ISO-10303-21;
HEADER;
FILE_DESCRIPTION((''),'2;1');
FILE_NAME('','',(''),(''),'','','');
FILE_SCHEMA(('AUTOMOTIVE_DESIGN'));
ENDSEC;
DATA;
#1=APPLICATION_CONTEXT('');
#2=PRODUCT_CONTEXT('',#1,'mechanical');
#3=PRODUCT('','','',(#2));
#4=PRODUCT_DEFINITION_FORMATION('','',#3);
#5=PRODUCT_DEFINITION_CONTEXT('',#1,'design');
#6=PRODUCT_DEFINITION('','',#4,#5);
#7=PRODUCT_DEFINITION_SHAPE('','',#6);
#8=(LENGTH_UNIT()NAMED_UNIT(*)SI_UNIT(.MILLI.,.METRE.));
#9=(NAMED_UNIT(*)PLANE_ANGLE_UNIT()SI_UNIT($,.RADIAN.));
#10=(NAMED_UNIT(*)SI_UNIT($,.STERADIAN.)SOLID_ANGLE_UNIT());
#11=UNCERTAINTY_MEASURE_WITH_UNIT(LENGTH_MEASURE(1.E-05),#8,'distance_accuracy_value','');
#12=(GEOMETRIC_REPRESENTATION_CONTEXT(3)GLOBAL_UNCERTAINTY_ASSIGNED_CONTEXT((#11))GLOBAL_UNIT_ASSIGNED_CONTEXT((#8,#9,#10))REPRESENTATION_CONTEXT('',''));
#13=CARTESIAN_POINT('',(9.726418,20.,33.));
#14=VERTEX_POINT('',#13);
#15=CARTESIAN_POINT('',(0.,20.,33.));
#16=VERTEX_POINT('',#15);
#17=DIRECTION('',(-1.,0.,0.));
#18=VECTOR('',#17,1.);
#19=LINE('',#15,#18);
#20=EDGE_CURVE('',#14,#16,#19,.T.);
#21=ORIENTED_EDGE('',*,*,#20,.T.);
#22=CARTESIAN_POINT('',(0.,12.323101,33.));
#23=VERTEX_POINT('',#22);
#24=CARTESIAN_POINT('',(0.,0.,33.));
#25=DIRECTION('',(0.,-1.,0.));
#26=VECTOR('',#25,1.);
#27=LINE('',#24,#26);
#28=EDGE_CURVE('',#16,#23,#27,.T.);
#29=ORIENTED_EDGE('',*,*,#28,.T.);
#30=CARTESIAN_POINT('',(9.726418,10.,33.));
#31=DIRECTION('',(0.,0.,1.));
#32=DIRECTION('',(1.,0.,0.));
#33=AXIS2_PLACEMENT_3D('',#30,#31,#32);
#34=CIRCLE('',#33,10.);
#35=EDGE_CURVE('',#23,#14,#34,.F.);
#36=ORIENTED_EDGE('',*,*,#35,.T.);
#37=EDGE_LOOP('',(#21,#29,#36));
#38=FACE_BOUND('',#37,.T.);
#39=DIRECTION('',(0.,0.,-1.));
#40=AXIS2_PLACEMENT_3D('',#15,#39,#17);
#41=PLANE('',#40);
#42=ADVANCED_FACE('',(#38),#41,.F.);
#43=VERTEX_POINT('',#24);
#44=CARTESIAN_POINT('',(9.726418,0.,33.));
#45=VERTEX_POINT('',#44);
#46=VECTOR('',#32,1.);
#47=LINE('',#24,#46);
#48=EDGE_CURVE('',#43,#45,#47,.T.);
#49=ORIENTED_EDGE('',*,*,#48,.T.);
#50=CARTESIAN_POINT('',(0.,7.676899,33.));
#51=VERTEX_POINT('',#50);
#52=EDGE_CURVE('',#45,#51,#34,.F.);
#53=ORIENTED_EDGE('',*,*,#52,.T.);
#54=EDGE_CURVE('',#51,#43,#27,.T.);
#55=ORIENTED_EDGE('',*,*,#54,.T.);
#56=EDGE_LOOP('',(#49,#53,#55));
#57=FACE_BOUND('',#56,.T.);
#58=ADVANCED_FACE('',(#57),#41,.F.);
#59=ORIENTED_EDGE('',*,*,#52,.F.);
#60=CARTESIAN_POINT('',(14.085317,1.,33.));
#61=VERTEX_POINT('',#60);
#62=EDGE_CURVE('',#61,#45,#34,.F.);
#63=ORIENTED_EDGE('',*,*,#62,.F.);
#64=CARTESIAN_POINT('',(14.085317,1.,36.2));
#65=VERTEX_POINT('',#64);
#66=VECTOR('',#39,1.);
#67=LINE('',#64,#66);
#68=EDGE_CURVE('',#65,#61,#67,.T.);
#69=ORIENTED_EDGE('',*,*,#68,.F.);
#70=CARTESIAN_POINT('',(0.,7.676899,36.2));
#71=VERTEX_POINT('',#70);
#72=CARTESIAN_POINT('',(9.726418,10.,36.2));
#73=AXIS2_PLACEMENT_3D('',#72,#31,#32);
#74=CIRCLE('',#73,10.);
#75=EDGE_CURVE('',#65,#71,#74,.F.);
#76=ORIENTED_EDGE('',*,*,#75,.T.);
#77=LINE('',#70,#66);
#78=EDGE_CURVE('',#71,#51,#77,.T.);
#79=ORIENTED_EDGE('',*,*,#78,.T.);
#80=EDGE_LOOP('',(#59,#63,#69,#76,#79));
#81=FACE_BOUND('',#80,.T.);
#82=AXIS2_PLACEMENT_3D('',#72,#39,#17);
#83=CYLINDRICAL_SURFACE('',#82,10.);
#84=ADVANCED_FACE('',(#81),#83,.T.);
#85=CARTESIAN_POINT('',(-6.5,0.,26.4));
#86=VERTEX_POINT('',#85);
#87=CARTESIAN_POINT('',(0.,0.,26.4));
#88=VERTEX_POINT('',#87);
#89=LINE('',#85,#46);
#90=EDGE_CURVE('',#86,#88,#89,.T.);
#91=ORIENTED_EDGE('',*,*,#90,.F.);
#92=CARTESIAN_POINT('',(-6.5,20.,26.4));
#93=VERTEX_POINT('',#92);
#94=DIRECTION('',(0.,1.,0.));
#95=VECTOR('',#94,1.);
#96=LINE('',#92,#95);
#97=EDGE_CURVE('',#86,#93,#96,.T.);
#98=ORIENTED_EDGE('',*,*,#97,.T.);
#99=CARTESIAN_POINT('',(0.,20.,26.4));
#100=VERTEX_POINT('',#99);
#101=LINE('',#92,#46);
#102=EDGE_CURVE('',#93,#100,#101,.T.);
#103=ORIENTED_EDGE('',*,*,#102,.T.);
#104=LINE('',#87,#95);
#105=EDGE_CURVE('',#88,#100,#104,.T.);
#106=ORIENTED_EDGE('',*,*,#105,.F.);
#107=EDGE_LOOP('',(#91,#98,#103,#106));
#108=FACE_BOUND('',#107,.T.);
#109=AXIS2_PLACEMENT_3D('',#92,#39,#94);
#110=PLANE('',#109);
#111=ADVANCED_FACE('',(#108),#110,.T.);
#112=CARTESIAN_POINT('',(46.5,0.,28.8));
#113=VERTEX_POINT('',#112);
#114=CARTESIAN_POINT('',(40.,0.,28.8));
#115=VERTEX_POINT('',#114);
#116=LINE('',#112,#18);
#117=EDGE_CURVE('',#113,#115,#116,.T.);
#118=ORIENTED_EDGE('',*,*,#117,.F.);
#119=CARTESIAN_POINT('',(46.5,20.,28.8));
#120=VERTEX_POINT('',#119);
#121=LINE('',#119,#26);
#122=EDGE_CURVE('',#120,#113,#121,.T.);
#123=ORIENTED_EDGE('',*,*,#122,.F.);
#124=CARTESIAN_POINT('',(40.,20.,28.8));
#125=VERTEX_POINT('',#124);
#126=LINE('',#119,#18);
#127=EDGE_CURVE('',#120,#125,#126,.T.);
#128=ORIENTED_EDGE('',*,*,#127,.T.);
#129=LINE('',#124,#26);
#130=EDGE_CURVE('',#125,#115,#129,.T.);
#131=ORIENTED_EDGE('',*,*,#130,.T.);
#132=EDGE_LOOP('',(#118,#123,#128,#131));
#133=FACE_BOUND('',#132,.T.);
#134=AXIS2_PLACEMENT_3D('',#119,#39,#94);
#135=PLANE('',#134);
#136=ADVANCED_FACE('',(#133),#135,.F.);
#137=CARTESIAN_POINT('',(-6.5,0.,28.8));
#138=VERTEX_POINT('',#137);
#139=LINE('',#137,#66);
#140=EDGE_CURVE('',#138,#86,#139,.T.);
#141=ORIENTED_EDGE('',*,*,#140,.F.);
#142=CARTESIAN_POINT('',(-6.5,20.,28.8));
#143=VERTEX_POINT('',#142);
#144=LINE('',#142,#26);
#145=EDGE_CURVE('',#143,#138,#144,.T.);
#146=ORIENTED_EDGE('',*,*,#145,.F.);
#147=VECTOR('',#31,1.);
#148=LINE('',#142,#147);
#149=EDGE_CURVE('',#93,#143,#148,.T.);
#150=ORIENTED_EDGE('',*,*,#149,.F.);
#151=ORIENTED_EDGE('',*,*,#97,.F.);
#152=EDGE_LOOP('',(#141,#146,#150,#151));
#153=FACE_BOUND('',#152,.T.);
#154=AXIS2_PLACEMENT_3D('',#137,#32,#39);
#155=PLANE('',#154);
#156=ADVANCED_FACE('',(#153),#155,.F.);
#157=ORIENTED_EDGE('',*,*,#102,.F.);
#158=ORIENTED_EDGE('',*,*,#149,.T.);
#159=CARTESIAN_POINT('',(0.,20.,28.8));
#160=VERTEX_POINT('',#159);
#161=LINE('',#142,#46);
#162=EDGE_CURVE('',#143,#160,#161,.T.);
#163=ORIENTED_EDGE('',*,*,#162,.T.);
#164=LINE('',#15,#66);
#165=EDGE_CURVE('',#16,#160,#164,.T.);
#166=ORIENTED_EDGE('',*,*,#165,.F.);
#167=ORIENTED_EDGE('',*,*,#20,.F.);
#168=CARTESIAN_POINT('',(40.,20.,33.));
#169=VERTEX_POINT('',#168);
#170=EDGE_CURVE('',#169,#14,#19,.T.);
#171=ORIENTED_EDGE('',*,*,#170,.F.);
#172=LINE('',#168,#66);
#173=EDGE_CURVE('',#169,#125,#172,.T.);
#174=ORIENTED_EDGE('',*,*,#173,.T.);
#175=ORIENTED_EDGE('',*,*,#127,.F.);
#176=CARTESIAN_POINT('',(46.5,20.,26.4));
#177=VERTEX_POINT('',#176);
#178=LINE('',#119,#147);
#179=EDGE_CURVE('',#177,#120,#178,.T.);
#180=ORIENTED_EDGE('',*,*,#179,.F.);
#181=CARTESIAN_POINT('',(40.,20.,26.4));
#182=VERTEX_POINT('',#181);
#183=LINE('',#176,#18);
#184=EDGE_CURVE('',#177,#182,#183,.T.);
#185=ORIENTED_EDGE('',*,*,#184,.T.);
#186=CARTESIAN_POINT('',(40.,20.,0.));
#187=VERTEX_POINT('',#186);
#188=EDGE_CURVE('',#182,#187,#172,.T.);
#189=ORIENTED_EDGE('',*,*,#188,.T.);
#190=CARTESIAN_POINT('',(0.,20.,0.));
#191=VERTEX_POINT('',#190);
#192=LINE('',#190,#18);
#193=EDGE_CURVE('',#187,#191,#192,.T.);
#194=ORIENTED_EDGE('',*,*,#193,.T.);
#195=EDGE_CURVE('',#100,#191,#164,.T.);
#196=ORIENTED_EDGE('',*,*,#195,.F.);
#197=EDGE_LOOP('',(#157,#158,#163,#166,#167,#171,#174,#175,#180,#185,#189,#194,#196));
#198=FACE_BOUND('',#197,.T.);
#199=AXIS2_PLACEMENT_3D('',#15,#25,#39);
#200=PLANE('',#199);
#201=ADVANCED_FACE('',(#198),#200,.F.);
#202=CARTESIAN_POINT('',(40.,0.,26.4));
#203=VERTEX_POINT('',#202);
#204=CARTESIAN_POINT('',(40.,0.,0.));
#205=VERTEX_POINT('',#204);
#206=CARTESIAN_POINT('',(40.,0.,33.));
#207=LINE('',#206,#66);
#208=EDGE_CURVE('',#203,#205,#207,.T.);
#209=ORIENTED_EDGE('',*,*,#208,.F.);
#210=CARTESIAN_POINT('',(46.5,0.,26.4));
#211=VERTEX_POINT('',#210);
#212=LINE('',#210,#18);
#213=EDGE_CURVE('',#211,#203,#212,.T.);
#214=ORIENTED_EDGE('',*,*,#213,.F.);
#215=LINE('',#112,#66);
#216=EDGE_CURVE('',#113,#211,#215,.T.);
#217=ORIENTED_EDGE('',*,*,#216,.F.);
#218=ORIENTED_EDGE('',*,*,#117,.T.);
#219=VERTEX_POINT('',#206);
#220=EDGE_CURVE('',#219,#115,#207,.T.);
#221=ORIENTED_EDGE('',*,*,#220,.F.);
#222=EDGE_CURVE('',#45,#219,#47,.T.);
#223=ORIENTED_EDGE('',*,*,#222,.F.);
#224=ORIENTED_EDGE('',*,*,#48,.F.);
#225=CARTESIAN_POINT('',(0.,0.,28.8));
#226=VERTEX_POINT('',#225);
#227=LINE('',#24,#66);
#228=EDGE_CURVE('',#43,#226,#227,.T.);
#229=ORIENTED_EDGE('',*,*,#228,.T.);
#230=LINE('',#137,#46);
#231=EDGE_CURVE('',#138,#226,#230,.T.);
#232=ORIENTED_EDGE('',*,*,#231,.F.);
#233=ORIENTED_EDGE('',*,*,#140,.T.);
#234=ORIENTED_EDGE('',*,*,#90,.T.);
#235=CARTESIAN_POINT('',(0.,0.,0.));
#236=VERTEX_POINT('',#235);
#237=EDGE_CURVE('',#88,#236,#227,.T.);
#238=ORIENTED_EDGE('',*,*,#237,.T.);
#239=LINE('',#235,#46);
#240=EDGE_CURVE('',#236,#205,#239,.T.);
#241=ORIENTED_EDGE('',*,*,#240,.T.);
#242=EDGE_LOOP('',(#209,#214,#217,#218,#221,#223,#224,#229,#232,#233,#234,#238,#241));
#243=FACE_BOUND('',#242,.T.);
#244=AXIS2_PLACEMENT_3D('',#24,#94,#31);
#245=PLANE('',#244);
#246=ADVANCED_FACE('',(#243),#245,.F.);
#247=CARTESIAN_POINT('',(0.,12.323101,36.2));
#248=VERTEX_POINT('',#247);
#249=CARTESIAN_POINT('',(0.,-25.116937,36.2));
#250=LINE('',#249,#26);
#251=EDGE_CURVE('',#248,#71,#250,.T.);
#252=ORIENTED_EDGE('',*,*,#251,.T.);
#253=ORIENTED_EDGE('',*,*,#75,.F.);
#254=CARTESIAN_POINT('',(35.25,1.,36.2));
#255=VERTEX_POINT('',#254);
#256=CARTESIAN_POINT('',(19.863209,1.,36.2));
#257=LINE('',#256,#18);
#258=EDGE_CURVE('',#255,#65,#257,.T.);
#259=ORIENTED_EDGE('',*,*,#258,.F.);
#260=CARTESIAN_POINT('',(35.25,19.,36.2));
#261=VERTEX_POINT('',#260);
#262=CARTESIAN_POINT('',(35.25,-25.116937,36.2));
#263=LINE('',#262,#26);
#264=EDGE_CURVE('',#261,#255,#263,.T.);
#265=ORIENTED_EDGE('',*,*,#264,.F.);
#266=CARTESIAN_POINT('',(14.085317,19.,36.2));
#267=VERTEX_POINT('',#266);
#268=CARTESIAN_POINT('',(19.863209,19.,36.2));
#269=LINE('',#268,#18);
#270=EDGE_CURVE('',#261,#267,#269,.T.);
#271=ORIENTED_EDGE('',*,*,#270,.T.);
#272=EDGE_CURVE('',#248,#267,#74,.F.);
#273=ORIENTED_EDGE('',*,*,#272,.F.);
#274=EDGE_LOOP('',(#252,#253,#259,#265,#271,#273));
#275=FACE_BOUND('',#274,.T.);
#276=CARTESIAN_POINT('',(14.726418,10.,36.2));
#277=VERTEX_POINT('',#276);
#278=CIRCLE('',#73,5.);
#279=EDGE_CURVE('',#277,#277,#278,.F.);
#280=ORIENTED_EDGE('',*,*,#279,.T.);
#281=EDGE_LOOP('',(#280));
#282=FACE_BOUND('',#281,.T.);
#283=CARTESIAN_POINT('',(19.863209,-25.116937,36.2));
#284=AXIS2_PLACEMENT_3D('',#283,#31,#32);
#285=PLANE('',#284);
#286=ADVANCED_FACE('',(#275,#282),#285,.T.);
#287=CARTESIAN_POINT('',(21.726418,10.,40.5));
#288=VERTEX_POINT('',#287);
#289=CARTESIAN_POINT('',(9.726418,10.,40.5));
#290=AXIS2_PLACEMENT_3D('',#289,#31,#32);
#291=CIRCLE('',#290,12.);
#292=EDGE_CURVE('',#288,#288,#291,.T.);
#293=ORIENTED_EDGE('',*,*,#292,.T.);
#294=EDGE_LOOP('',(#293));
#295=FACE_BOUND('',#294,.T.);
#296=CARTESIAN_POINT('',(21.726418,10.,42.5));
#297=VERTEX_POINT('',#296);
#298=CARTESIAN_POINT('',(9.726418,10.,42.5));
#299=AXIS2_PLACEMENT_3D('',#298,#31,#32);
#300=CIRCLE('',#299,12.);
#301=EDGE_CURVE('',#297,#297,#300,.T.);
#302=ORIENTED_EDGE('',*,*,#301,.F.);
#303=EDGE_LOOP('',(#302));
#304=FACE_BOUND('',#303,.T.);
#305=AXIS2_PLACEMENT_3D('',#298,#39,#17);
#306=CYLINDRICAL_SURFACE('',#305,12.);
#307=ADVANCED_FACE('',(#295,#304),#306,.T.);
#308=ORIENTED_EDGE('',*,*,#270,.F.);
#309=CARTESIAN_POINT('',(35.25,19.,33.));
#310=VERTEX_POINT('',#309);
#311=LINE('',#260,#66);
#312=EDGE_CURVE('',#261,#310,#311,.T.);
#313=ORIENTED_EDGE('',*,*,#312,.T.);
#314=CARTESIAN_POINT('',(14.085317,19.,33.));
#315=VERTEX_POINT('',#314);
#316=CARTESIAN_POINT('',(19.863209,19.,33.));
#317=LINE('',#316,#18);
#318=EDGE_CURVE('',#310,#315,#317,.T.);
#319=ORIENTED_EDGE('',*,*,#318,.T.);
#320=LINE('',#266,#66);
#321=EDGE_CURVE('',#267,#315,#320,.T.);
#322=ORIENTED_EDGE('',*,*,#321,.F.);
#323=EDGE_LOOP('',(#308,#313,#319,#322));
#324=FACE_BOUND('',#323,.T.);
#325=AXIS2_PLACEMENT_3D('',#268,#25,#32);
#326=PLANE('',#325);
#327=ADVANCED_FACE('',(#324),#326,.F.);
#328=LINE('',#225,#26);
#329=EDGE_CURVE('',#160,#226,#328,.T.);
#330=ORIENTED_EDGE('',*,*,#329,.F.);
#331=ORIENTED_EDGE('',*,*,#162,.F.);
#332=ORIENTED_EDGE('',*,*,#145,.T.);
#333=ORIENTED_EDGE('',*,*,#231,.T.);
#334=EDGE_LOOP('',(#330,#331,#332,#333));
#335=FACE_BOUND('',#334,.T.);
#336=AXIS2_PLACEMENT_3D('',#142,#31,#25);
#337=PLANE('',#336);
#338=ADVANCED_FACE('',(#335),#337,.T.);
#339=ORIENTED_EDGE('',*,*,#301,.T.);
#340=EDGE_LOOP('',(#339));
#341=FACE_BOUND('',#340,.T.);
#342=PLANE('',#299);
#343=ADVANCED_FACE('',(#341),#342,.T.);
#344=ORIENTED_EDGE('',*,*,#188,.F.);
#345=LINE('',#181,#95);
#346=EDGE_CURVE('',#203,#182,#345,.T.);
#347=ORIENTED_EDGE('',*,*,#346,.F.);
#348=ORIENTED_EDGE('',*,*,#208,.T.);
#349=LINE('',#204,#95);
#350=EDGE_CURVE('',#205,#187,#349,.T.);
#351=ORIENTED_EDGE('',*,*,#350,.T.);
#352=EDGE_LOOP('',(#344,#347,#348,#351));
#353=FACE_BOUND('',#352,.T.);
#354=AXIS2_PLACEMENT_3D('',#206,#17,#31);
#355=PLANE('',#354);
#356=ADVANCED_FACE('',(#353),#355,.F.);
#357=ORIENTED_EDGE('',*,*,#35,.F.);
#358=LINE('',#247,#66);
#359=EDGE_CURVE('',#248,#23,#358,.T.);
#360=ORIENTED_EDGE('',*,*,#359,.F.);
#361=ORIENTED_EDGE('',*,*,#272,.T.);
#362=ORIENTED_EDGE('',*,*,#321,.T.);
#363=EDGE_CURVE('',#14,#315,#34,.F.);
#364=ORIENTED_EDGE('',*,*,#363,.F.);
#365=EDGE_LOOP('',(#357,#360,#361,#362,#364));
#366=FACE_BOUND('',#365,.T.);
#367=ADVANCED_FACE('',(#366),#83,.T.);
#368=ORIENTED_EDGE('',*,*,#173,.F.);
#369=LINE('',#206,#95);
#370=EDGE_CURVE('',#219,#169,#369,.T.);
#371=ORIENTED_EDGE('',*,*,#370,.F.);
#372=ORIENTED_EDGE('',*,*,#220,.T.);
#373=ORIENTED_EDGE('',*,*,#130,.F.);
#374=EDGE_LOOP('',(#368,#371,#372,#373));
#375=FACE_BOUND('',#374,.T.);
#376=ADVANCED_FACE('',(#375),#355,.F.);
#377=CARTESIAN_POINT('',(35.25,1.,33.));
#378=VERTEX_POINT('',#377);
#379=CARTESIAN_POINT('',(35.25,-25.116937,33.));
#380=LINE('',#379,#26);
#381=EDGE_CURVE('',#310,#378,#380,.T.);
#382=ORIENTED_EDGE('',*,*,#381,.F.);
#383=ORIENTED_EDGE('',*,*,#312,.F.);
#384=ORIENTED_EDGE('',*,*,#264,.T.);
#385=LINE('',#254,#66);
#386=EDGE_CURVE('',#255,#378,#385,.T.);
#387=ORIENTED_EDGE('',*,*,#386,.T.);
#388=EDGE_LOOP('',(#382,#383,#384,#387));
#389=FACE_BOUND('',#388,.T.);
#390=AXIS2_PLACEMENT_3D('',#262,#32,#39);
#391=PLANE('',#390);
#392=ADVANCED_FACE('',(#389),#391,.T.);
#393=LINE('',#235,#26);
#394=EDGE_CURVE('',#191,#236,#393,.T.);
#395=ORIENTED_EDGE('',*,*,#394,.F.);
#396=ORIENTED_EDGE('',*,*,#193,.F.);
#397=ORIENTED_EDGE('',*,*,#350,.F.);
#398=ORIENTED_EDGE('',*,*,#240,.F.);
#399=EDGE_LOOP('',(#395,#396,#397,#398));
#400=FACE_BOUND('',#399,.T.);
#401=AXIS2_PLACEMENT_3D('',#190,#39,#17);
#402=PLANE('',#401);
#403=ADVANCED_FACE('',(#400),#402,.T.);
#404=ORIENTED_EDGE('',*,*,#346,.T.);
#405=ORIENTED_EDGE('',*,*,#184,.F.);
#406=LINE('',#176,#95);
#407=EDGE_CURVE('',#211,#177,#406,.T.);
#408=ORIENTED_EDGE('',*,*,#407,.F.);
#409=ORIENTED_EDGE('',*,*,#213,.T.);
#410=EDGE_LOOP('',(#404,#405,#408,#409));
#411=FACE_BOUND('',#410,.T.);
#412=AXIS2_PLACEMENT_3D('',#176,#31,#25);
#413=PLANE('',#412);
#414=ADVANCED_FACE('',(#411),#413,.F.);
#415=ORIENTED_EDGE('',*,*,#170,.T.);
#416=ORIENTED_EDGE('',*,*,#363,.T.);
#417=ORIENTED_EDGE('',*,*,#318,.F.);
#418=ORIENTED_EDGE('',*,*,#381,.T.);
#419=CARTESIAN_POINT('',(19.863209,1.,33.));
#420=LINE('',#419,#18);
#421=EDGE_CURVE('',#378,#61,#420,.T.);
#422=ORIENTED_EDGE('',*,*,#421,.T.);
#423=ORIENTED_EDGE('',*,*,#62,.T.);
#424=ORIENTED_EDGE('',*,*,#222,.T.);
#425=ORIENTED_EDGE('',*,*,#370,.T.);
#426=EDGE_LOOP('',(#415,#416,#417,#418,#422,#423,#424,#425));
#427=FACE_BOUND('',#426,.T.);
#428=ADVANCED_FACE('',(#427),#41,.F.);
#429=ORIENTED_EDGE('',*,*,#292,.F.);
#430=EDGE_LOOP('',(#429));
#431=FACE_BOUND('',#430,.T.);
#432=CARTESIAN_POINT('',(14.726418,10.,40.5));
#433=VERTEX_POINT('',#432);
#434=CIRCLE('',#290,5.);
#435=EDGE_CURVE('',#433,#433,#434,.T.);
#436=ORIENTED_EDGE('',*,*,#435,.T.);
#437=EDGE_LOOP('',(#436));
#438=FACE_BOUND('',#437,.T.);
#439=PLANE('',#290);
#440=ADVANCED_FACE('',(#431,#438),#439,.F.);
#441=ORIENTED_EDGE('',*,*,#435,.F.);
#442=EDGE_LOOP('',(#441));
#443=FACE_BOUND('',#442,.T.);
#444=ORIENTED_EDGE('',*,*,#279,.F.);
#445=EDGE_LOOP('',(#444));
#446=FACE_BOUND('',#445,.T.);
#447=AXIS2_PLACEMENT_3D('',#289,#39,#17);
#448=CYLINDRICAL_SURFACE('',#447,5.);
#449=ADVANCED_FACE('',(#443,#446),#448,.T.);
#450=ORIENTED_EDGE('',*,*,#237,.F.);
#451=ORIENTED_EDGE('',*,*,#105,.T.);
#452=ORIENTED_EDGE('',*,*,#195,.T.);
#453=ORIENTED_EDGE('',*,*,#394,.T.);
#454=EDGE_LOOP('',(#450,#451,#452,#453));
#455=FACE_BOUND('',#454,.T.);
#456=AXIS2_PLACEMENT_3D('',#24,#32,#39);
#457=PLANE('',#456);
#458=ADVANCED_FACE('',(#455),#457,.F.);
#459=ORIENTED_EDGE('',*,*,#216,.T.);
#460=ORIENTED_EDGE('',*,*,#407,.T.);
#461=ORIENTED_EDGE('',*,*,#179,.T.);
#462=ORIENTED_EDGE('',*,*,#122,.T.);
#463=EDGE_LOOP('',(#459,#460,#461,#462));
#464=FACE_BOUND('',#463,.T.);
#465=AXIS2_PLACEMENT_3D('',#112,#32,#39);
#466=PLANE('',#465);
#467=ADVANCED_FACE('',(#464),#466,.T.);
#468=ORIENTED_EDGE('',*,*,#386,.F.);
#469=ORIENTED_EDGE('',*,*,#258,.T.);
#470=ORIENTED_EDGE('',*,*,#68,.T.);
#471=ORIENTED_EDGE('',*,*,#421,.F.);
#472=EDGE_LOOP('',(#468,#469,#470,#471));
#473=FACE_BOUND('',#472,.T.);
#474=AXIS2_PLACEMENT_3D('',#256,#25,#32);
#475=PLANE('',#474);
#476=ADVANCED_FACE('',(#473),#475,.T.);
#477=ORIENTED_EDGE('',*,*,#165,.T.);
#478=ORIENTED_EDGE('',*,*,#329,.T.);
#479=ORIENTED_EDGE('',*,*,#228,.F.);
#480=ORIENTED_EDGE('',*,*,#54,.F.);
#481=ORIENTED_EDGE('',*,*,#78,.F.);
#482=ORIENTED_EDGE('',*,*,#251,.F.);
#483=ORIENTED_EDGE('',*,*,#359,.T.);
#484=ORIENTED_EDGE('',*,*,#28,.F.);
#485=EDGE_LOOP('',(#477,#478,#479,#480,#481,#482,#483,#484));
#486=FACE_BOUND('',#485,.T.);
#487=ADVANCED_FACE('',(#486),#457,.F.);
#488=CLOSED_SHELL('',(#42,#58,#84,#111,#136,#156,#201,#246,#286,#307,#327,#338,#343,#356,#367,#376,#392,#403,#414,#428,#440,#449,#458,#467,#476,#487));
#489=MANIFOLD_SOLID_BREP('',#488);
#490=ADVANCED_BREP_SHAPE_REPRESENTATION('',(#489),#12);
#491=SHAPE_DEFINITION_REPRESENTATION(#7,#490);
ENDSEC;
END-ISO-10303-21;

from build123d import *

# Parameters (mm, degrees)
SKETCH1_W           = 40
SKETCH1_H           = 20
BOSS_EXTRUDE1_DEPTH = 33
SKETCH3_W           = 2.4
SKETCH3_H           = 20
BOSS_EXTRUDE2_DEPTH = 6.5
SKETCH3_2_W         = 2.4
SKETCH3_2_H         = 20
BOSS_EXTRUDE3_DEPTH = 46.5
SKETCH4_R           = 5
BOSS_EXTRUDE4_DEPTH = 7.5
SKETCH5_R           = 12
BOSS_EXTRUDE5_DEPTH = 2
SKETCH6_R           = 5
BOSS_EXTRUDE6_DEPTH = 3.2


with BuildPart() as part:
    # Sketch1 → Boss-Extrude1 (new body)
    with BuildSketch(Plane.XY):
        with Locations((20, 10)):
            Rectangle(SKETCH1_W, SKETCH1_H)
    extrude(amount=BOSS_EXTRUDE1_DEPTH)

    # Sketch3 → Boss-Extrude2 (add)
    with BuildSketch(Plane(origin=(40, 0, 0), x_dir=(0, 0, -1), z_dir=(1, 0, 0))):
        with Locations((-27.6, 10)):
            Rectangle(SKETCH3_W, SKETCH3_H)
    extrude(amount=BOSS_EXTRUDE2_DEPTH)

    # Sketch3<2> → Boss-Extrude3 (add)
    with BuildSketch(Plane(origin=(40, 0, 0), x_dir=(0, 0, -1), z_dir=(1, 0, 0))):
        with Locations((-27.6, 10)):
            Rectangle(SKETCH3_2_W, SKETCH3_2_H)
    extrude(amount=-BOSS_EXTRUDE3_DEPTH)

    # Sketch4 → Boss-Extrude4 (add)
    with BuildSketch(Plane.XY.offset(33)):
        with Locations((9.726417673, 10)):
            Circle(SKETCH4_R)
    extrude(amount=BOSS_EXTRUDE4_DEPTH)

    # Sketch5 → Boss-Extrude5 (add)
    with BuildSketch(Plane.XY.offset(40.5)):
        with Locations((9.726417673, 10)):
            Circle(SKETCH5_R)
    extrude(amount=BOSS_EXTRUDE5_DEPTH)

    # Sketch6 → Boss-Extrude6 (add)
    with BuildSketch(Plane.XY.offset(33)):
        with BuildLine():
            Line((35.25, 1), (35.25, 19))
            Line((35.25, 19), (14.085316617, 19))
            ThreePointArc((14.085316617, 19), (11.962485651, 19.746794345), (9.726417673, 20))
            ThreePointArc((9.726417673, 20), (3.530895586, 17.849554514), (0, 12.323101213))
            Line((0, 12.323101213), (0, 7.676898787))
            ThreePointArc((0, 7.676898787), (3.530895586, 2.150445486), (9.726417673, 0))
            ThreePointArc((9.726417673, 0), (11.962485651, 0.253205655), (14.085316617, 1))
            Line((14.085316617, 1), (35.25, 1))
        make_face()
        with Locations((9.726417673, 10)):
            Circle(SKETCH6_R, mode=Mode.SUBTRACT)
    extrude(amount=BOSS_EXTRUDE6_DEPTH)


solid = part.part
